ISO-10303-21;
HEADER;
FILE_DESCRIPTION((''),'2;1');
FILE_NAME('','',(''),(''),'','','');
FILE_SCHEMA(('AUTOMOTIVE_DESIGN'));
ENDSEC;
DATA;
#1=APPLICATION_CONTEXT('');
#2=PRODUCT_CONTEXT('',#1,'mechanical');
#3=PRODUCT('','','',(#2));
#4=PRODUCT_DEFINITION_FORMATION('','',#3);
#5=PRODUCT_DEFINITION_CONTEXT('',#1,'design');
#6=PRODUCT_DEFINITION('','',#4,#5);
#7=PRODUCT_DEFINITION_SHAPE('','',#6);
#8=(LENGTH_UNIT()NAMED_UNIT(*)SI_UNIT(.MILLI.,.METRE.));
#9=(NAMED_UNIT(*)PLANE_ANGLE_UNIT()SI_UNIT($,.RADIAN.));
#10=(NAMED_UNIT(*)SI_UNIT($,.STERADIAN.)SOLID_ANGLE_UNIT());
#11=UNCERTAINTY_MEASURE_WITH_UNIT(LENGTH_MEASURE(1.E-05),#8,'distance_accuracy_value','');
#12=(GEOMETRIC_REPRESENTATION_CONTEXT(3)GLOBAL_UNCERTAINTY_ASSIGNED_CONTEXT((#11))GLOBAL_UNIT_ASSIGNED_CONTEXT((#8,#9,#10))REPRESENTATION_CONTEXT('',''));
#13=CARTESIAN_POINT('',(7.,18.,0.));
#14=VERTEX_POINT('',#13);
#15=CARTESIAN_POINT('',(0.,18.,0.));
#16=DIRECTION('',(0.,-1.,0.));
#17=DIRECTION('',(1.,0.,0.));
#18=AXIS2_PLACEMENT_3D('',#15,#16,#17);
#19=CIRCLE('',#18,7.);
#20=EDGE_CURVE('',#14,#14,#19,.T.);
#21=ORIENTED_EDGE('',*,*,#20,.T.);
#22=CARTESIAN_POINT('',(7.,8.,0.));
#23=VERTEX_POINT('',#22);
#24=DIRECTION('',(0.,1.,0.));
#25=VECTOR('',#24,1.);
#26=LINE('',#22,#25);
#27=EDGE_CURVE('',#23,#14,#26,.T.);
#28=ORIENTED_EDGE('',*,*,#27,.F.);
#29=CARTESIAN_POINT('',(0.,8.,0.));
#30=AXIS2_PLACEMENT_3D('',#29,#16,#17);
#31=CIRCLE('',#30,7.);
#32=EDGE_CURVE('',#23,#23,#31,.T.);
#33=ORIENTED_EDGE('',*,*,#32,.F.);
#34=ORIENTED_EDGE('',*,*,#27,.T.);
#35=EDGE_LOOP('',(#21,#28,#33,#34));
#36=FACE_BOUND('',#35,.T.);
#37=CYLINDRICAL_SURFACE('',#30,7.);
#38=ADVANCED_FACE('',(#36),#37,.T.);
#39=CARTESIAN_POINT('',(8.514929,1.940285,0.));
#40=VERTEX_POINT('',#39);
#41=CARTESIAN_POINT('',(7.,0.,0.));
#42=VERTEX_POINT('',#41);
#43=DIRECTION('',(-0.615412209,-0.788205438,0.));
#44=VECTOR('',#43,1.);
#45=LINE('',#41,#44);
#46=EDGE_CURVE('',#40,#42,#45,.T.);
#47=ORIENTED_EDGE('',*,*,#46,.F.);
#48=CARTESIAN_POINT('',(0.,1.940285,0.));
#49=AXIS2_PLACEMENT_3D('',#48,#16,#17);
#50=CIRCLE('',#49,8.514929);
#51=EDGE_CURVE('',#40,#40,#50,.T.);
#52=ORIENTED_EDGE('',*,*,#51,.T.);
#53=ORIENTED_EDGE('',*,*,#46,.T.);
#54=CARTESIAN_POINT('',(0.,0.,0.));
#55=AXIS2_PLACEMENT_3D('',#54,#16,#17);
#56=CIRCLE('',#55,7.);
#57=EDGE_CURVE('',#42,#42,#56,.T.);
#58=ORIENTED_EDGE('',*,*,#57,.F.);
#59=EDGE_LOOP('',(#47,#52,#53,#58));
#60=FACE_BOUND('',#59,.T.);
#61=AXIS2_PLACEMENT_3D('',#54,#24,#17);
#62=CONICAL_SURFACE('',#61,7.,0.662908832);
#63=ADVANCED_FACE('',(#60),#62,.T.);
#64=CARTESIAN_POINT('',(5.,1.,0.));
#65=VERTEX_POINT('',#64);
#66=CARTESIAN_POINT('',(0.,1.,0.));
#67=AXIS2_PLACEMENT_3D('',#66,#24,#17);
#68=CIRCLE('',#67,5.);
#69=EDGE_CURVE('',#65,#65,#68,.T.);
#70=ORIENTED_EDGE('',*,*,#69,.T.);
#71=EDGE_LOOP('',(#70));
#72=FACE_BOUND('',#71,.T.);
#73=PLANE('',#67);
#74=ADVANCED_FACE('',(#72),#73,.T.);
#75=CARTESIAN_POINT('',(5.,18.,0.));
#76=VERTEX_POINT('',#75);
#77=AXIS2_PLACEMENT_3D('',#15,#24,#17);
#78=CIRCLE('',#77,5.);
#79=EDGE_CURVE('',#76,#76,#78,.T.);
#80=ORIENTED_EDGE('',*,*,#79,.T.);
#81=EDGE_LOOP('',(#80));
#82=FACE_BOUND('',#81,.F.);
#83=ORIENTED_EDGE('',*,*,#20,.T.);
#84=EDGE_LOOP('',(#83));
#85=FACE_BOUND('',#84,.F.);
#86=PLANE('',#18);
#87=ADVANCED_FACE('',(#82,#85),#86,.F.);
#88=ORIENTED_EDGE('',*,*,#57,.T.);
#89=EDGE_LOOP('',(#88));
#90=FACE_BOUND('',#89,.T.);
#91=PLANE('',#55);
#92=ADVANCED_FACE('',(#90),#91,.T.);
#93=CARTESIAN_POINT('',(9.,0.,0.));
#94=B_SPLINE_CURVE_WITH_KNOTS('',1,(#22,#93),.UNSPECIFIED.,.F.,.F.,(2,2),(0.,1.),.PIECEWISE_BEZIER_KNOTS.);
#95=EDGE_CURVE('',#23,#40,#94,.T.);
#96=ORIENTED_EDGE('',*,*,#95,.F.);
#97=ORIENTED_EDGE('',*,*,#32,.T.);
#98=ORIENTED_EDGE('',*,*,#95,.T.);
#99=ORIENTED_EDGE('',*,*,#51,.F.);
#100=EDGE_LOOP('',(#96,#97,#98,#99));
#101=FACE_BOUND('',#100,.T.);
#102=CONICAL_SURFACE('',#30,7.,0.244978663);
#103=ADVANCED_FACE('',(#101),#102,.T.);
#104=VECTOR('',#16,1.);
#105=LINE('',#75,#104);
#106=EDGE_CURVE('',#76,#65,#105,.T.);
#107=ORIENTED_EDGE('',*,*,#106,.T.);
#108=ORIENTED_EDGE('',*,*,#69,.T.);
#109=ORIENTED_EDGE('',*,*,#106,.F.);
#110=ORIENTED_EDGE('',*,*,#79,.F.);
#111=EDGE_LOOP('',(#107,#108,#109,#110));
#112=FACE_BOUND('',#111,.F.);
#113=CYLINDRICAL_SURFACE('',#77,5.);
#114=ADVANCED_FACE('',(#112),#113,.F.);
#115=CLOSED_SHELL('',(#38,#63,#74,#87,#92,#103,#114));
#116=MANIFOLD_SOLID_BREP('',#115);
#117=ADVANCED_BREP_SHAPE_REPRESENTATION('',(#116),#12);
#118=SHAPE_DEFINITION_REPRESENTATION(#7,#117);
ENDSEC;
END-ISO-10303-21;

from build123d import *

# Parameters (mm, degrees)
SKETCH001_R  = 7
SKETCH_R     = 9
PAD_DEPTH    = 10
SKETCH002_R  = 5
POCKET_DEPTH = 17
CHAMFER_SIZE = 2


with BuildPart() as part:
    # Sketch001 → AdditiveLoft section 0
    with BuildSketch(Plane.XZ.offset(-8)):
        Circle(SKETCH001_R)
    # Sketch → AdditiveLoft section 1
    with BuildSketch(Plane.XZ):
        Circle(SKETCH_R)
    loft()

    # Sketch001 → Pad (new body)
    with BuildSketch(Plane.XZ.offset(-8)):
        Circle(SKETCH001_R)
    extrude(amount=-PAD_DEPTH)

    # Sketch002 (on Face4 of Pad) → Pocket (cut)
    with BuildSketch(Plane(origin=(0, 18, 0), x_dir=(1, 0, 0), z_dir=(0, 1, 0))):
        Circle(SKETCH002_R)
    extrude(amount=-POCKET_DEPTH, mode=Mode.SUBTRACT)

    # Chamfer
    chamfer_edges = [part.edges().sort_by_distance(p)[0] for p in [
        (-9, 0, 0),
    ]]
    chamfer(chamfer_edges, length=CHAMFER_SIZE)


solid = part.part
